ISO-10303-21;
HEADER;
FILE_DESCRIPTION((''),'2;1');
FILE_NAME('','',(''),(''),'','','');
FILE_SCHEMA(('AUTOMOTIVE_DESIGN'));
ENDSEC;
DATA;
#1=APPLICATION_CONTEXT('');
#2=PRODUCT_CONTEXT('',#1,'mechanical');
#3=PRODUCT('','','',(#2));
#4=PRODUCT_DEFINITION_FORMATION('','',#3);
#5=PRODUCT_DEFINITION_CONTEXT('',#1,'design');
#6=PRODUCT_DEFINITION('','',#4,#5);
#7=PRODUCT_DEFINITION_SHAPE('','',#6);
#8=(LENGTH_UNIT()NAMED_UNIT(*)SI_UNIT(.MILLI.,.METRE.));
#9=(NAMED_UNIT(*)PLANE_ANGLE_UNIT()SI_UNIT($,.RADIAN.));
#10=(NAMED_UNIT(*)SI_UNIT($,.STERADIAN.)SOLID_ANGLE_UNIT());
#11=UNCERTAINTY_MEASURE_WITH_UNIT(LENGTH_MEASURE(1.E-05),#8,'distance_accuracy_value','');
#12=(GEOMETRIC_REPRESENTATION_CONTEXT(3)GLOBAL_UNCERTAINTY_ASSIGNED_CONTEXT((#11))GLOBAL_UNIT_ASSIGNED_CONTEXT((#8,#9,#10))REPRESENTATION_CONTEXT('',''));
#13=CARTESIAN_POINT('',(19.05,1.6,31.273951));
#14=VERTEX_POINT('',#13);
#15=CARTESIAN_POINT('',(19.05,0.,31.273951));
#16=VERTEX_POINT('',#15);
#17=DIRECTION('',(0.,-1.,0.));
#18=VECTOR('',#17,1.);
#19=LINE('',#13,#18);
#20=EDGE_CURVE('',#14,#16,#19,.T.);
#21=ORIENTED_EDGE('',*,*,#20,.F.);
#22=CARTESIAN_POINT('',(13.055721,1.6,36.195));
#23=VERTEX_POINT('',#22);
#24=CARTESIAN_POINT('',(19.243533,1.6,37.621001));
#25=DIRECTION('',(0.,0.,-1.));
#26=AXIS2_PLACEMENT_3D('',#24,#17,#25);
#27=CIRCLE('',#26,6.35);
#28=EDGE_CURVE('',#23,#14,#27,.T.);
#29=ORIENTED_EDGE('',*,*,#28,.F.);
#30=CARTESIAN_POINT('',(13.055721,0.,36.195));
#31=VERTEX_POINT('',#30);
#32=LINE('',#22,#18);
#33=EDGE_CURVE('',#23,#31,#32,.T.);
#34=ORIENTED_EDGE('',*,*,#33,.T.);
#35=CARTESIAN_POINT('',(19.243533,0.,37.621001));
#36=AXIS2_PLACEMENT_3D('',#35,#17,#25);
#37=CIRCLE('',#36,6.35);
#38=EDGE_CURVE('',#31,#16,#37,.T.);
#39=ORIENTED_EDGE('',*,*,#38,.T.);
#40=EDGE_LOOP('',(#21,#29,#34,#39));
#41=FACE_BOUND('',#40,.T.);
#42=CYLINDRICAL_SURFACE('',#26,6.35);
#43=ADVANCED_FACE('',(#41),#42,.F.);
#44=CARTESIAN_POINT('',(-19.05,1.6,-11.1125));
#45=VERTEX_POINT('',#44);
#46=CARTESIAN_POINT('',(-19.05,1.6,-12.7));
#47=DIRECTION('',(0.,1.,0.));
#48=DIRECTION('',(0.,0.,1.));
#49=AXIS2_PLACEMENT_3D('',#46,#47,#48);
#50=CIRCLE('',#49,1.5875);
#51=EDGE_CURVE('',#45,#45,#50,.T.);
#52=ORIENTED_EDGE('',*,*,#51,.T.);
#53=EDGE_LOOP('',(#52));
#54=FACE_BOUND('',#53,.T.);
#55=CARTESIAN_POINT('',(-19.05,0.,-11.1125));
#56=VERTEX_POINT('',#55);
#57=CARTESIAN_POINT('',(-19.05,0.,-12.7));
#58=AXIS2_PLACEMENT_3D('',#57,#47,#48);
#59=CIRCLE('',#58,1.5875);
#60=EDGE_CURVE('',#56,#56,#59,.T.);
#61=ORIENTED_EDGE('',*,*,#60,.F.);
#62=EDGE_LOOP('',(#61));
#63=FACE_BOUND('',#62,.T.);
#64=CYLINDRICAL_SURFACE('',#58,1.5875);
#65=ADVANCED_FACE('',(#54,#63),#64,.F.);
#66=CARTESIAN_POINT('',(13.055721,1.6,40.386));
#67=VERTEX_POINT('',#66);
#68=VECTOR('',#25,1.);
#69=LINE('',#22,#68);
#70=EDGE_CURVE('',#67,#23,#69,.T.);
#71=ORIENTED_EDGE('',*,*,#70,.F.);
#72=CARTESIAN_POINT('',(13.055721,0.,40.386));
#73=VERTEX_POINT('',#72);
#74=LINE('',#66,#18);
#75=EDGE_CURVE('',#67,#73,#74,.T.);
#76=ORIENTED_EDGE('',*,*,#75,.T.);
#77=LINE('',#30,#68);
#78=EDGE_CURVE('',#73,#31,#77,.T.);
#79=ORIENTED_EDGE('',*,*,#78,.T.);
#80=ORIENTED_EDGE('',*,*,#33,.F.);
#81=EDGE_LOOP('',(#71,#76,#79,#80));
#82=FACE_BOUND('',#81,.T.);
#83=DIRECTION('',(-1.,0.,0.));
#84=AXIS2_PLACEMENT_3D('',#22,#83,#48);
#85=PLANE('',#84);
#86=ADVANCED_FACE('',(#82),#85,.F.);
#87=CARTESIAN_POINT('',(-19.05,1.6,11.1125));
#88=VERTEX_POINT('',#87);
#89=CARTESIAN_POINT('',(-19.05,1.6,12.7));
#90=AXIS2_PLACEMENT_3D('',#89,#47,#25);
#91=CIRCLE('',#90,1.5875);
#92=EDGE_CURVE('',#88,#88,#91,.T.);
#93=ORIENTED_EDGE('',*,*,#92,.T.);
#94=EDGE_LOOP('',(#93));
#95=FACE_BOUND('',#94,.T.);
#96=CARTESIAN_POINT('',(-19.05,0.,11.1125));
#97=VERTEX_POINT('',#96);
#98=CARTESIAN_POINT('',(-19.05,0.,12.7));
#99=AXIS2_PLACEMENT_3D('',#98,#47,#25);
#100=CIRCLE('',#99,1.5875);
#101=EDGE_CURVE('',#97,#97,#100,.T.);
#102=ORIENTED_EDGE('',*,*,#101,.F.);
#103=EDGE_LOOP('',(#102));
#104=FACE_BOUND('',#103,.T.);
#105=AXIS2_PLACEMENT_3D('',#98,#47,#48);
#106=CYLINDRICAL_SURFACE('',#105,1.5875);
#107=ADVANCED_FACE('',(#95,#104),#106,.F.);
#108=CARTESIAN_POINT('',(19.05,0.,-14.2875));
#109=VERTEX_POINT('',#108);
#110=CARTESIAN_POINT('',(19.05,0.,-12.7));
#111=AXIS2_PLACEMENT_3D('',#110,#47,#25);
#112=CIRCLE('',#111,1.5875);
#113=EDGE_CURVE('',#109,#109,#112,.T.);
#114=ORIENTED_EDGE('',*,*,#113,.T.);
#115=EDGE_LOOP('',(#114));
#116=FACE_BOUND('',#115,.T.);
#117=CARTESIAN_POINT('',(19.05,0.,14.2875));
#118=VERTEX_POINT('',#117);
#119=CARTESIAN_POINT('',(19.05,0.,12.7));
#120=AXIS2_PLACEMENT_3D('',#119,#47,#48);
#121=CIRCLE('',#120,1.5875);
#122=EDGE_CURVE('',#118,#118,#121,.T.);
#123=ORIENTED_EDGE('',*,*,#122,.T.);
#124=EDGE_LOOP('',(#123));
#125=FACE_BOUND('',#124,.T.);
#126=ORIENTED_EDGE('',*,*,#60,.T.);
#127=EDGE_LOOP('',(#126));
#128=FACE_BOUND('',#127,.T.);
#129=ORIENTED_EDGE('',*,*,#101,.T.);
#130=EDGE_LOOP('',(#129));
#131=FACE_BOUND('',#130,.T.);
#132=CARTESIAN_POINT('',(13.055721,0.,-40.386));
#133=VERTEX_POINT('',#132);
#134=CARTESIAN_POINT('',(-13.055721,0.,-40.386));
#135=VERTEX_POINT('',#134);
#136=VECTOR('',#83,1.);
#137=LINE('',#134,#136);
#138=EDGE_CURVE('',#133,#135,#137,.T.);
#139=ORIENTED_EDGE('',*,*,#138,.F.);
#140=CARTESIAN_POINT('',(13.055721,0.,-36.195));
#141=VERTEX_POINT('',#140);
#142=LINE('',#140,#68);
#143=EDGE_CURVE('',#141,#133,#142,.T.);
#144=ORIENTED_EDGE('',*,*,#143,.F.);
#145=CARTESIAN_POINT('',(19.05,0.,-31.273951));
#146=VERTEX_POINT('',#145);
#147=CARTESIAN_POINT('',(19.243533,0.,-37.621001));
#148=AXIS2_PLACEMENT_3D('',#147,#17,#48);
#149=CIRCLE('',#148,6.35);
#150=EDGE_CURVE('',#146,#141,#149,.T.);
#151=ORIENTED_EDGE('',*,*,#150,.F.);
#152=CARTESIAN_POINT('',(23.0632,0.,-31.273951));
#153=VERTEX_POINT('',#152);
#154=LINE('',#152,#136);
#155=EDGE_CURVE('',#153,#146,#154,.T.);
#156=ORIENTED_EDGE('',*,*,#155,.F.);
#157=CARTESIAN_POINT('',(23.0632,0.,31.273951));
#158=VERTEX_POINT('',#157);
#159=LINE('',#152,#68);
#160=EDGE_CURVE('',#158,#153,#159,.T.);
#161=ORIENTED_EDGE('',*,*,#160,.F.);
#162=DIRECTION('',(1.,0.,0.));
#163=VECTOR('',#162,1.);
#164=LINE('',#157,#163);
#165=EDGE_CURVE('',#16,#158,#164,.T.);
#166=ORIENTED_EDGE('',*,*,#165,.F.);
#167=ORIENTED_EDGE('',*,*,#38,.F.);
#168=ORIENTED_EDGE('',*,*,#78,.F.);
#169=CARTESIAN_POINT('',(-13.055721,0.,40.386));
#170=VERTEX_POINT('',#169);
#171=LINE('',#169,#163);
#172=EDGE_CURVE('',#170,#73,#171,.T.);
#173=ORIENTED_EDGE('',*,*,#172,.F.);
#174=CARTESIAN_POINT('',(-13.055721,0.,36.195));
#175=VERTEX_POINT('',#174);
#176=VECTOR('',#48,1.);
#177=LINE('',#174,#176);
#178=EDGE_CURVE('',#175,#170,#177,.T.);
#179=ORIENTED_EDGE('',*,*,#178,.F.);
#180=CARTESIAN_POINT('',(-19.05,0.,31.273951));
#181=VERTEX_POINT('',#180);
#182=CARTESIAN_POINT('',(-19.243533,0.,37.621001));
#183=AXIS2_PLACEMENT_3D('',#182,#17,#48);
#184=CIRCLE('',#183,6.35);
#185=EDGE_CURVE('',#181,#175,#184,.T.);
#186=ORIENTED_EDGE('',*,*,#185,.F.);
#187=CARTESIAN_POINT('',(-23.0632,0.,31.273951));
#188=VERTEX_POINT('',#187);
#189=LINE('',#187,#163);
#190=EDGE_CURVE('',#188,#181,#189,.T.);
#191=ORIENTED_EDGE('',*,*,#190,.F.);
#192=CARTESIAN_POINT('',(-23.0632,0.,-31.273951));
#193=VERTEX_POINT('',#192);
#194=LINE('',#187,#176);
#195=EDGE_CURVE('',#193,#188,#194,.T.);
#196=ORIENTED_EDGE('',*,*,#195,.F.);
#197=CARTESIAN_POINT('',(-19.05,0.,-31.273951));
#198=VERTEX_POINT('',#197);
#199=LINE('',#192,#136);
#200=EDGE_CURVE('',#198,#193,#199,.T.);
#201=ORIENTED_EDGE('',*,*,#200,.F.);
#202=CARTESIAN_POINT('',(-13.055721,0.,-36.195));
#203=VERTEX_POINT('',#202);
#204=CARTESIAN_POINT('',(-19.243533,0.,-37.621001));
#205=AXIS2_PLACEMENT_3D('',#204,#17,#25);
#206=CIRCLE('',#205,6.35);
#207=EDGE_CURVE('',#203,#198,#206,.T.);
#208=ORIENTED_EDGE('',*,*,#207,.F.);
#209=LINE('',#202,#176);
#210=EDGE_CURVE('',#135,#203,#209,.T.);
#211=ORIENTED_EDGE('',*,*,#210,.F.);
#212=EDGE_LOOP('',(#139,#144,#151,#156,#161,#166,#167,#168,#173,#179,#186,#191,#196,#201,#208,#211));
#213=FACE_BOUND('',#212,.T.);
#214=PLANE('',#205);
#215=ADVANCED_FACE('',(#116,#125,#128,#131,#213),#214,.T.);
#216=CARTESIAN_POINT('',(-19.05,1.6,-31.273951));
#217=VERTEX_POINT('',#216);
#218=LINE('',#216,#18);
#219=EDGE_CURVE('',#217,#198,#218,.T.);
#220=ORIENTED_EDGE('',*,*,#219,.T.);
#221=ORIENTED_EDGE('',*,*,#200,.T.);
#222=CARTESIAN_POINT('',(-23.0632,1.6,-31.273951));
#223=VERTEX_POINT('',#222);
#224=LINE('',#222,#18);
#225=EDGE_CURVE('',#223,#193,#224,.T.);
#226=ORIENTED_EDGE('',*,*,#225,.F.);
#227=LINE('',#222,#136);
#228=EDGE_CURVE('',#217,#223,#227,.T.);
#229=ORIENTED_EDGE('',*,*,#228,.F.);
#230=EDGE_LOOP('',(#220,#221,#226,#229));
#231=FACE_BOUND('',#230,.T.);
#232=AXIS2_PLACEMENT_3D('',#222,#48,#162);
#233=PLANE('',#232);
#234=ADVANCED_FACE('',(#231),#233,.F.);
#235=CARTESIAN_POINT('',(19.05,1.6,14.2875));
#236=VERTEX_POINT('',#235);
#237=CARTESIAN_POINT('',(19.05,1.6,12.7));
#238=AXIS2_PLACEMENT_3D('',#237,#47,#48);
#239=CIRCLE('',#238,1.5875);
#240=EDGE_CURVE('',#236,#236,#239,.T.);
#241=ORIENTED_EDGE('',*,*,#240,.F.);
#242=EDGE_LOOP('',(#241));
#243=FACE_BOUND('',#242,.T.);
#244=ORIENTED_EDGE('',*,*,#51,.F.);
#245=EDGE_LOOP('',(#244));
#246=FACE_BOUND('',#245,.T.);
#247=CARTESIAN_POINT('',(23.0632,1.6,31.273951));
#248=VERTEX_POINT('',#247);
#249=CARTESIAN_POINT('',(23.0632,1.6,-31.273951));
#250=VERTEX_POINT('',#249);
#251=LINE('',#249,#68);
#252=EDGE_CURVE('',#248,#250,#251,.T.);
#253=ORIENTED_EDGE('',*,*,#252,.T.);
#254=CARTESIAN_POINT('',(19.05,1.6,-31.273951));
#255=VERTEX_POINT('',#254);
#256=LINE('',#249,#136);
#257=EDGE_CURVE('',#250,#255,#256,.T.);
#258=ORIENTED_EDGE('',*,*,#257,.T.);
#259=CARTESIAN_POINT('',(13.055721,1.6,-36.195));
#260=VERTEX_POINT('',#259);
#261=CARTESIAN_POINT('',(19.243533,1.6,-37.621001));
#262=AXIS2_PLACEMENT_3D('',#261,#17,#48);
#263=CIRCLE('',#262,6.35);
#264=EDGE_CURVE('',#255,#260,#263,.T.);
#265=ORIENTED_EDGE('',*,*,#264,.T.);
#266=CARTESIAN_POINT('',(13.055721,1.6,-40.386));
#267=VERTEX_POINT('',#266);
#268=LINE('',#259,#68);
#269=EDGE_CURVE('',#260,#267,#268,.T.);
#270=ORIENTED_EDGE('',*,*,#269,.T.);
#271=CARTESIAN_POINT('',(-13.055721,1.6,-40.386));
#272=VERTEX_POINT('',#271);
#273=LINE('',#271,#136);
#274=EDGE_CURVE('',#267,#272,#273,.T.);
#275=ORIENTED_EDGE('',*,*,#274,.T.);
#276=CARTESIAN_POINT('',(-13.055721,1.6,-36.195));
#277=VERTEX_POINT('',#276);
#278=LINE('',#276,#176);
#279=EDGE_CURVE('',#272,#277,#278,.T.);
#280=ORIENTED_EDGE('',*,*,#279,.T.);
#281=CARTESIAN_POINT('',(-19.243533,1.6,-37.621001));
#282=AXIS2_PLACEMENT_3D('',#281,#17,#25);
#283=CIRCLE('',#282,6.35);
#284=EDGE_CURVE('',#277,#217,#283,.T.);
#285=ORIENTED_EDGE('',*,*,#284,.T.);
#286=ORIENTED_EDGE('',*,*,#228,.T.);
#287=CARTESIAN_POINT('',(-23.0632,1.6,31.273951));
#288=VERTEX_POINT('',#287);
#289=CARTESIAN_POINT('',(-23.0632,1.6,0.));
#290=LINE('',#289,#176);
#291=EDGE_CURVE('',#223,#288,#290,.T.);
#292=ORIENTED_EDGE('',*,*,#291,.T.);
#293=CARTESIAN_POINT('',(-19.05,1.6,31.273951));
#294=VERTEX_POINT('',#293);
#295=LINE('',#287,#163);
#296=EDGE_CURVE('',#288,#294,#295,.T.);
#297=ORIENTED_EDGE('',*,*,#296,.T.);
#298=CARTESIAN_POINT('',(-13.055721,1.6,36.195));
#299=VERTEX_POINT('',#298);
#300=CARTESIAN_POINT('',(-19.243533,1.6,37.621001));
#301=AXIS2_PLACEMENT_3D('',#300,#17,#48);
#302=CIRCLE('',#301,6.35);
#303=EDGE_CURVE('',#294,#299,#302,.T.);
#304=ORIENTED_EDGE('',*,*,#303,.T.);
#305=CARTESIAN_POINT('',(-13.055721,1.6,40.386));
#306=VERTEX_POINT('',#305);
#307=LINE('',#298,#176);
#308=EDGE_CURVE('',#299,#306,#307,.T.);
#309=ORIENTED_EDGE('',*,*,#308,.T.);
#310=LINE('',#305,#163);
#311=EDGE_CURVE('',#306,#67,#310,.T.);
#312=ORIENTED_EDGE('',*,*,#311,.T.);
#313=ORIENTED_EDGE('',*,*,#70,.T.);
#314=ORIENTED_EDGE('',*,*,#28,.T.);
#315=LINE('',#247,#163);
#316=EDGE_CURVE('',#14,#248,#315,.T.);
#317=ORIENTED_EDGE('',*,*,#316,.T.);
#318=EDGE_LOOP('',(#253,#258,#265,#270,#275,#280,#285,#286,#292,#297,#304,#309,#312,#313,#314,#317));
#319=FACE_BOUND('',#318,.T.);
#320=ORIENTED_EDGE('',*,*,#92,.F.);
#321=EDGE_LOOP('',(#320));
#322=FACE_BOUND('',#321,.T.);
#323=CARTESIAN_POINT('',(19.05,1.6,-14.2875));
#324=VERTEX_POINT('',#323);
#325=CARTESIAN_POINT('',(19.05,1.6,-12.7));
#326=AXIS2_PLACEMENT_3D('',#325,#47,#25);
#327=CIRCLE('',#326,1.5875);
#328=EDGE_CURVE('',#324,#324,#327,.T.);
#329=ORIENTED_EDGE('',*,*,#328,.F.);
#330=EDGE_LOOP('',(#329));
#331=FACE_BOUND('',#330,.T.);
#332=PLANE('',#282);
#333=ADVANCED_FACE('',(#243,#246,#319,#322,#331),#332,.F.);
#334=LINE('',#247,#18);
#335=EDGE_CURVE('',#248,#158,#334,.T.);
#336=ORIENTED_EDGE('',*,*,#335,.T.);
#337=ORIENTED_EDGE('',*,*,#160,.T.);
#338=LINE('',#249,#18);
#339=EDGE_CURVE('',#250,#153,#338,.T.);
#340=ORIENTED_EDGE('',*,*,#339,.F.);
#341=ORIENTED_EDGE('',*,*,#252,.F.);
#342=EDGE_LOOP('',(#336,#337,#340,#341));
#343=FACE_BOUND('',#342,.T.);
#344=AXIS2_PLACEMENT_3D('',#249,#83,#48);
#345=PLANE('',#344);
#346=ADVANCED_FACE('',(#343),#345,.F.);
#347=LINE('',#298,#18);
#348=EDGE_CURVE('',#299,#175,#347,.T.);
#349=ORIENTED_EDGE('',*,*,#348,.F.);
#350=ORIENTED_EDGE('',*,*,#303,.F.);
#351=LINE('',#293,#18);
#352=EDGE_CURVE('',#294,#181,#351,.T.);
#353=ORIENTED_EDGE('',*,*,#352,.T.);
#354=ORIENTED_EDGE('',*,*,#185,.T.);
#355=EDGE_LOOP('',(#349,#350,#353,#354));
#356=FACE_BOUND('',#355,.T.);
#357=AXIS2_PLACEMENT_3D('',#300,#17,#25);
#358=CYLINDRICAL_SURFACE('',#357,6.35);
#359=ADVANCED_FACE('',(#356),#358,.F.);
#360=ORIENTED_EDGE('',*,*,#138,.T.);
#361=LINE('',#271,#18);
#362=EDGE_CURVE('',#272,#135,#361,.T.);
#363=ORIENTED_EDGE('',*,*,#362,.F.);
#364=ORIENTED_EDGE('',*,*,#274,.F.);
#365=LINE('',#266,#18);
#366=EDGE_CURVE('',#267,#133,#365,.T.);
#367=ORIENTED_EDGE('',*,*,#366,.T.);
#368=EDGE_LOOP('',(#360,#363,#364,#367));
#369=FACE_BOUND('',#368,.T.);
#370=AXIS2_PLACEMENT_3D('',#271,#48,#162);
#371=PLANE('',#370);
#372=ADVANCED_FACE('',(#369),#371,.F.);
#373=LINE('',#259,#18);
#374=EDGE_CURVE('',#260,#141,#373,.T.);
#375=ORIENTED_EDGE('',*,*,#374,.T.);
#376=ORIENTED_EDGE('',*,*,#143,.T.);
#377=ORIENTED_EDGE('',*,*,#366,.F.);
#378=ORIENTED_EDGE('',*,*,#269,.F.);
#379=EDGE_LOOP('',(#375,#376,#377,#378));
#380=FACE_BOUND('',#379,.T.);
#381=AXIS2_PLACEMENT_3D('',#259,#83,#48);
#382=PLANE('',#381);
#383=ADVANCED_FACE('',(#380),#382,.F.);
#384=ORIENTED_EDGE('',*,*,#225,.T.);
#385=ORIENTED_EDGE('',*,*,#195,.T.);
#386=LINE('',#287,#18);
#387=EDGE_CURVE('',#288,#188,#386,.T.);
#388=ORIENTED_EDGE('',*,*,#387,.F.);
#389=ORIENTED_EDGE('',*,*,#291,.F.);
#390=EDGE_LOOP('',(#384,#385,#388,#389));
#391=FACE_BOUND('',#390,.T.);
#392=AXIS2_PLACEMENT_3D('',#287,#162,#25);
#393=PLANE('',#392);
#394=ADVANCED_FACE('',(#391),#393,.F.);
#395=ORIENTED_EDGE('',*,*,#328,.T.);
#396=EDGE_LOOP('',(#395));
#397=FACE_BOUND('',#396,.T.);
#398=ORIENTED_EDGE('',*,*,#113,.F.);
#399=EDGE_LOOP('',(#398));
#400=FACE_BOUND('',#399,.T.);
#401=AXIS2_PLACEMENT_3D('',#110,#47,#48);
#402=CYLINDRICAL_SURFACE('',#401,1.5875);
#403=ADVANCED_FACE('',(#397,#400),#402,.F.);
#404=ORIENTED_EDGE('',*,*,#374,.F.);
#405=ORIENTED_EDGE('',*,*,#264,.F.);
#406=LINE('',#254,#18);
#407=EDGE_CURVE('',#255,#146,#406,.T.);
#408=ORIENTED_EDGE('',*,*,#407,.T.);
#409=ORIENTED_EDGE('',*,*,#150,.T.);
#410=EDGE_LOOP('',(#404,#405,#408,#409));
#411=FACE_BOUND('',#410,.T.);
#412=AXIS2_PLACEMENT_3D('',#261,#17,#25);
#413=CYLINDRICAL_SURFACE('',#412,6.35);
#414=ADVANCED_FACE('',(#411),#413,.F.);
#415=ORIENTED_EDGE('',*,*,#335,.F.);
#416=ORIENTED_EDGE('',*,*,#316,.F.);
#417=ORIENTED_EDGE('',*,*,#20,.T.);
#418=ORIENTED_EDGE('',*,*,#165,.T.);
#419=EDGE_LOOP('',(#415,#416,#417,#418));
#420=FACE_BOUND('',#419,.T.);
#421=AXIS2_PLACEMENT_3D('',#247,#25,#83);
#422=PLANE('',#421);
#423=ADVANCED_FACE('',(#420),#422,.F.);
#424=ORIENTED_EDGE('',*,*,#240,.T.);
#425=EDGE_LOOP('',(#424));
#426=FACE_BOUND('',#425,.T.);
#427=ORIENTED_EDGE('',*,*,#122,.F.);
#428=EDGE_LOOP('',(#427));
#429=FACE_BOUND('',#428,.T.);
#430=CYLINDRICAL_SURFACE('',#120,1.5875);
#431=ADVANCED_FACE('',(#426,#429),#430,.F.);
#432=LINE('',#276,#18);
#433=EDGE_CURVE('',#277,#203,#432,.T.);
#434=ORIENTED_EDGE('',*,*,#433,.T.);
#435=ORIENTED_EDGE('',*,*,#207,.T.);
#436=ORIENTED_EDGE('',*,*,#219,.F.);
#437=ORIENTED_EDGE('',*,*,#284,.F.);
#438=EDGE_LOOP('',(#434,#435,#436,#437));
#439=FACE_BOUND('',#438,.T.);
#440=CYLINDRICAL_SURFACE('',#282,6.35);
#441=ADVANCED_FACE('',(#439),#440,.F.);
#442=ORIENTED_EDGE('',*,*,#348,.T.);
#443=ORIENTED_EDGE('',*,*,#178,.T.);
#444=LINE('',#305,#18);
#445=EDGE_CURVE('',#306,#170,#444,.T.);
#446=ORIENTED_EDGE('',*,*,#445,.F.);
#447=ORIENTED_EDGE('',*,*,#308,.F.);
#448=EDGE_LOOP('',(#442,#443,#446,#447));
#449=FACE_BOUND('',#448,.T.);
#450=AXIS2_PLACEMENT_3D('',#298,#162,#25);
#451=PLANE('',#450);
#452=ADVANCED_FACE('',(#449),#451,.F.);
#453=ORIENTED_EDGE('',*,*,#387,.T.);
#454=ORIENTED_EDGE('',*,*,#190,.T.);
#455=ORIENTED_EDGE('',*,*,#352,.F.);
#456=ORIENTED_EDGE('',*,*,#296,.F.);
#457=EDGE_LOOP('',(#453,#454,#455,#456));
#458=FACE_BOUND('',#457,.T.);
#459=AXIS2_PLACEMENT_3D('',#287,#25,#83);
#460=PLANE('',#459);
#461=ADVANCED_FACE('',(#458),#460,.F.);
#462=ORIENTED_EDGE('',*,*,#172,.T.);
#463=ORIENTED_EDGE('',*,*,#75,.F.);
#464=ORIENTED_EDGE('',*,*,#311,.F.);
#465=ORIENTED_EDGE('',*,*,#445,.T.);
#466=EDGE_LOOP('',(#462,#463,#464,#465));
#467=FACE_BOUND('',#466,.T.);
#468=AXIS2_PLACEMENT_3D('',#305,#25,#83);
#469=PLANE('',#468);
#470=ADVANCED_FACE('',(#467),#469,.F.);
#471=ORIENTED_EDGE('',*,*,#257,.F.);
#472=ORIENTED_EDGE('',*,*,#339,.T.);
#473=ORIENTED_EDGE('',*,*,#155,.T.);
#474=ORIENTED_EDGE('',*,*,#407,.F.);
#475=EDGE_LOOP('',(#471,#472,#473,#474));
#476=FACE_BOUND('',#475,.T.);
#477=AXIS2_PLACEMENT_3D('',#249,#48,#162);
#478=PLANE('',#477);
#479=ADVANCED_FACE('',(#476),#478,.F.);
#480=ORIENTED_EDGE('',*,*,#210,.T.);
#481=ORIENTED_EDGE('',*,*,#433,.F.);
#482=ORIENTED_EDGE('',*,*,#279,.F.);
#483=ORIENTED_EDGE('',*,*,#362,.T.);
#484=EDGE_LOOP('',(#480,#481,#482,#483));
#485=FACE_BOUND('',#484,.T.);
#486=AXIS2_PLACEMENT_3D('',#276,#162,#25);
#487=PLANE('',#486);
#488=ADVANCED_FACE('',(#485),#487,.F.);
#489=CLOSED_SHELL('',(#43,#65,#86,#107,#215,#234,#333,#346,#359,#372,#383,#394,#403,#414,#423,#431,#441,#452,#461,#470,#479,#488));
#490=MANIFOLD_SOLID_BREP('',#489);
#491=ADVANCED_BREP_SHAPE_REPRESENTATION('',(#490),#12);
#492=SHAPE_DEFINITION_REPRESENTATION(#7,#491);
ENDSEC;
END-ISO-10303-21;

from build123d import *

# Parameters (mm, degrees)
BOSS_EXTRUDE1_DEPTH = 1.6
SKETCH2_R           = 1.5875
CUT_EXTRUDE1_DEPTH  = 47.534935159


with BuildPart() as part:
    # Sketch1 → Boss-Extrude1 (new body)
    with BuildSketch(Plane(origin=(0, 0, 0), x_dir=(1, 0, 0), z_dir=(0, 1, 0))):
        with BuildLine():
            Line((-23.0632, 31.273950746), (-19.05, 31.273950746))
            ThreePointArc((-19.05, 31.273950746), (-15.214318255, 32.713055735), (-13.055721082, 36.195))
            Line((-13.055721082, 36.195), (-13.055721082, 40.386))
            Line((-13.055721082, 40.386), (13.055721082, 40.386))
            Line((13.055721082, 40.386), (13.055721082, 36.195))
            ThreePointArc((13.055721082, 36.195), (15.214318255, 32.713055735), (19.05, 31.273950746))
            Line((19.05, 31.273950746), (23.0632, 31.273950746))
            Line((23.0632, 31.273950746), (23.0632, -31.273950746))
            Line((23.0632, -31.273950746), (19.05, -31.273950746))
            ThreePointArc((19.05, -31.273950746), (15.214318255, -32.713055735), (13.055721082, -36.195))
            Line((13.055721082, -36.195), (13.055721082, -40.386))
            Line((13.055721082, -40.386), (-13.055721082, -40.386))
            Line((-13.055721082, -40.386), (-13.055721082, -36.195))
            ThreePointArc((-13.055721082, -36.195), (-15.214318255, -32.713055735), (-19.05, -31.273950746))
            Line((-19.05, -31.273950746), (-23.0632, -31.273950746))
            Line((-23.0632, -31.273950746), (-23.0632, 0))
            Line((-23.0632, 0), (-23.0632, 31.273950746))
        make_face()
    extrude(amount=BOSS_EXTRUDE1_DEPTH)

    # Sketch2 → Cut-Extrude1 (cut, through all)
    with BuildSketch(Plane(origin=(0, 1.6, 0), x_dir=(1, 0, 0), z_dir=(0, 1, 0))):
        with Locations(Location((-19.05, 12.7, 0), (0, 0, 270))):
            Circle(SKETCH2_R)
        with Locations(Location((19.05, 12.7, 0), (0, 0, 90))):
            Circle(SKETCH2_R)
        with Locations(Location((19.05, -12.7, 0), (0, 0, 270))):
            Circle(SKETCH2_R)
        with Locations(Location((-19.05, -12.7, 0), (0, 0, 90))):
            Circle(SKETCH2_R)
    extrude(amount=-CUT_EXTRUDE1_DEPTH, mode=Mode.SUBTRACT)


solid = part.part
